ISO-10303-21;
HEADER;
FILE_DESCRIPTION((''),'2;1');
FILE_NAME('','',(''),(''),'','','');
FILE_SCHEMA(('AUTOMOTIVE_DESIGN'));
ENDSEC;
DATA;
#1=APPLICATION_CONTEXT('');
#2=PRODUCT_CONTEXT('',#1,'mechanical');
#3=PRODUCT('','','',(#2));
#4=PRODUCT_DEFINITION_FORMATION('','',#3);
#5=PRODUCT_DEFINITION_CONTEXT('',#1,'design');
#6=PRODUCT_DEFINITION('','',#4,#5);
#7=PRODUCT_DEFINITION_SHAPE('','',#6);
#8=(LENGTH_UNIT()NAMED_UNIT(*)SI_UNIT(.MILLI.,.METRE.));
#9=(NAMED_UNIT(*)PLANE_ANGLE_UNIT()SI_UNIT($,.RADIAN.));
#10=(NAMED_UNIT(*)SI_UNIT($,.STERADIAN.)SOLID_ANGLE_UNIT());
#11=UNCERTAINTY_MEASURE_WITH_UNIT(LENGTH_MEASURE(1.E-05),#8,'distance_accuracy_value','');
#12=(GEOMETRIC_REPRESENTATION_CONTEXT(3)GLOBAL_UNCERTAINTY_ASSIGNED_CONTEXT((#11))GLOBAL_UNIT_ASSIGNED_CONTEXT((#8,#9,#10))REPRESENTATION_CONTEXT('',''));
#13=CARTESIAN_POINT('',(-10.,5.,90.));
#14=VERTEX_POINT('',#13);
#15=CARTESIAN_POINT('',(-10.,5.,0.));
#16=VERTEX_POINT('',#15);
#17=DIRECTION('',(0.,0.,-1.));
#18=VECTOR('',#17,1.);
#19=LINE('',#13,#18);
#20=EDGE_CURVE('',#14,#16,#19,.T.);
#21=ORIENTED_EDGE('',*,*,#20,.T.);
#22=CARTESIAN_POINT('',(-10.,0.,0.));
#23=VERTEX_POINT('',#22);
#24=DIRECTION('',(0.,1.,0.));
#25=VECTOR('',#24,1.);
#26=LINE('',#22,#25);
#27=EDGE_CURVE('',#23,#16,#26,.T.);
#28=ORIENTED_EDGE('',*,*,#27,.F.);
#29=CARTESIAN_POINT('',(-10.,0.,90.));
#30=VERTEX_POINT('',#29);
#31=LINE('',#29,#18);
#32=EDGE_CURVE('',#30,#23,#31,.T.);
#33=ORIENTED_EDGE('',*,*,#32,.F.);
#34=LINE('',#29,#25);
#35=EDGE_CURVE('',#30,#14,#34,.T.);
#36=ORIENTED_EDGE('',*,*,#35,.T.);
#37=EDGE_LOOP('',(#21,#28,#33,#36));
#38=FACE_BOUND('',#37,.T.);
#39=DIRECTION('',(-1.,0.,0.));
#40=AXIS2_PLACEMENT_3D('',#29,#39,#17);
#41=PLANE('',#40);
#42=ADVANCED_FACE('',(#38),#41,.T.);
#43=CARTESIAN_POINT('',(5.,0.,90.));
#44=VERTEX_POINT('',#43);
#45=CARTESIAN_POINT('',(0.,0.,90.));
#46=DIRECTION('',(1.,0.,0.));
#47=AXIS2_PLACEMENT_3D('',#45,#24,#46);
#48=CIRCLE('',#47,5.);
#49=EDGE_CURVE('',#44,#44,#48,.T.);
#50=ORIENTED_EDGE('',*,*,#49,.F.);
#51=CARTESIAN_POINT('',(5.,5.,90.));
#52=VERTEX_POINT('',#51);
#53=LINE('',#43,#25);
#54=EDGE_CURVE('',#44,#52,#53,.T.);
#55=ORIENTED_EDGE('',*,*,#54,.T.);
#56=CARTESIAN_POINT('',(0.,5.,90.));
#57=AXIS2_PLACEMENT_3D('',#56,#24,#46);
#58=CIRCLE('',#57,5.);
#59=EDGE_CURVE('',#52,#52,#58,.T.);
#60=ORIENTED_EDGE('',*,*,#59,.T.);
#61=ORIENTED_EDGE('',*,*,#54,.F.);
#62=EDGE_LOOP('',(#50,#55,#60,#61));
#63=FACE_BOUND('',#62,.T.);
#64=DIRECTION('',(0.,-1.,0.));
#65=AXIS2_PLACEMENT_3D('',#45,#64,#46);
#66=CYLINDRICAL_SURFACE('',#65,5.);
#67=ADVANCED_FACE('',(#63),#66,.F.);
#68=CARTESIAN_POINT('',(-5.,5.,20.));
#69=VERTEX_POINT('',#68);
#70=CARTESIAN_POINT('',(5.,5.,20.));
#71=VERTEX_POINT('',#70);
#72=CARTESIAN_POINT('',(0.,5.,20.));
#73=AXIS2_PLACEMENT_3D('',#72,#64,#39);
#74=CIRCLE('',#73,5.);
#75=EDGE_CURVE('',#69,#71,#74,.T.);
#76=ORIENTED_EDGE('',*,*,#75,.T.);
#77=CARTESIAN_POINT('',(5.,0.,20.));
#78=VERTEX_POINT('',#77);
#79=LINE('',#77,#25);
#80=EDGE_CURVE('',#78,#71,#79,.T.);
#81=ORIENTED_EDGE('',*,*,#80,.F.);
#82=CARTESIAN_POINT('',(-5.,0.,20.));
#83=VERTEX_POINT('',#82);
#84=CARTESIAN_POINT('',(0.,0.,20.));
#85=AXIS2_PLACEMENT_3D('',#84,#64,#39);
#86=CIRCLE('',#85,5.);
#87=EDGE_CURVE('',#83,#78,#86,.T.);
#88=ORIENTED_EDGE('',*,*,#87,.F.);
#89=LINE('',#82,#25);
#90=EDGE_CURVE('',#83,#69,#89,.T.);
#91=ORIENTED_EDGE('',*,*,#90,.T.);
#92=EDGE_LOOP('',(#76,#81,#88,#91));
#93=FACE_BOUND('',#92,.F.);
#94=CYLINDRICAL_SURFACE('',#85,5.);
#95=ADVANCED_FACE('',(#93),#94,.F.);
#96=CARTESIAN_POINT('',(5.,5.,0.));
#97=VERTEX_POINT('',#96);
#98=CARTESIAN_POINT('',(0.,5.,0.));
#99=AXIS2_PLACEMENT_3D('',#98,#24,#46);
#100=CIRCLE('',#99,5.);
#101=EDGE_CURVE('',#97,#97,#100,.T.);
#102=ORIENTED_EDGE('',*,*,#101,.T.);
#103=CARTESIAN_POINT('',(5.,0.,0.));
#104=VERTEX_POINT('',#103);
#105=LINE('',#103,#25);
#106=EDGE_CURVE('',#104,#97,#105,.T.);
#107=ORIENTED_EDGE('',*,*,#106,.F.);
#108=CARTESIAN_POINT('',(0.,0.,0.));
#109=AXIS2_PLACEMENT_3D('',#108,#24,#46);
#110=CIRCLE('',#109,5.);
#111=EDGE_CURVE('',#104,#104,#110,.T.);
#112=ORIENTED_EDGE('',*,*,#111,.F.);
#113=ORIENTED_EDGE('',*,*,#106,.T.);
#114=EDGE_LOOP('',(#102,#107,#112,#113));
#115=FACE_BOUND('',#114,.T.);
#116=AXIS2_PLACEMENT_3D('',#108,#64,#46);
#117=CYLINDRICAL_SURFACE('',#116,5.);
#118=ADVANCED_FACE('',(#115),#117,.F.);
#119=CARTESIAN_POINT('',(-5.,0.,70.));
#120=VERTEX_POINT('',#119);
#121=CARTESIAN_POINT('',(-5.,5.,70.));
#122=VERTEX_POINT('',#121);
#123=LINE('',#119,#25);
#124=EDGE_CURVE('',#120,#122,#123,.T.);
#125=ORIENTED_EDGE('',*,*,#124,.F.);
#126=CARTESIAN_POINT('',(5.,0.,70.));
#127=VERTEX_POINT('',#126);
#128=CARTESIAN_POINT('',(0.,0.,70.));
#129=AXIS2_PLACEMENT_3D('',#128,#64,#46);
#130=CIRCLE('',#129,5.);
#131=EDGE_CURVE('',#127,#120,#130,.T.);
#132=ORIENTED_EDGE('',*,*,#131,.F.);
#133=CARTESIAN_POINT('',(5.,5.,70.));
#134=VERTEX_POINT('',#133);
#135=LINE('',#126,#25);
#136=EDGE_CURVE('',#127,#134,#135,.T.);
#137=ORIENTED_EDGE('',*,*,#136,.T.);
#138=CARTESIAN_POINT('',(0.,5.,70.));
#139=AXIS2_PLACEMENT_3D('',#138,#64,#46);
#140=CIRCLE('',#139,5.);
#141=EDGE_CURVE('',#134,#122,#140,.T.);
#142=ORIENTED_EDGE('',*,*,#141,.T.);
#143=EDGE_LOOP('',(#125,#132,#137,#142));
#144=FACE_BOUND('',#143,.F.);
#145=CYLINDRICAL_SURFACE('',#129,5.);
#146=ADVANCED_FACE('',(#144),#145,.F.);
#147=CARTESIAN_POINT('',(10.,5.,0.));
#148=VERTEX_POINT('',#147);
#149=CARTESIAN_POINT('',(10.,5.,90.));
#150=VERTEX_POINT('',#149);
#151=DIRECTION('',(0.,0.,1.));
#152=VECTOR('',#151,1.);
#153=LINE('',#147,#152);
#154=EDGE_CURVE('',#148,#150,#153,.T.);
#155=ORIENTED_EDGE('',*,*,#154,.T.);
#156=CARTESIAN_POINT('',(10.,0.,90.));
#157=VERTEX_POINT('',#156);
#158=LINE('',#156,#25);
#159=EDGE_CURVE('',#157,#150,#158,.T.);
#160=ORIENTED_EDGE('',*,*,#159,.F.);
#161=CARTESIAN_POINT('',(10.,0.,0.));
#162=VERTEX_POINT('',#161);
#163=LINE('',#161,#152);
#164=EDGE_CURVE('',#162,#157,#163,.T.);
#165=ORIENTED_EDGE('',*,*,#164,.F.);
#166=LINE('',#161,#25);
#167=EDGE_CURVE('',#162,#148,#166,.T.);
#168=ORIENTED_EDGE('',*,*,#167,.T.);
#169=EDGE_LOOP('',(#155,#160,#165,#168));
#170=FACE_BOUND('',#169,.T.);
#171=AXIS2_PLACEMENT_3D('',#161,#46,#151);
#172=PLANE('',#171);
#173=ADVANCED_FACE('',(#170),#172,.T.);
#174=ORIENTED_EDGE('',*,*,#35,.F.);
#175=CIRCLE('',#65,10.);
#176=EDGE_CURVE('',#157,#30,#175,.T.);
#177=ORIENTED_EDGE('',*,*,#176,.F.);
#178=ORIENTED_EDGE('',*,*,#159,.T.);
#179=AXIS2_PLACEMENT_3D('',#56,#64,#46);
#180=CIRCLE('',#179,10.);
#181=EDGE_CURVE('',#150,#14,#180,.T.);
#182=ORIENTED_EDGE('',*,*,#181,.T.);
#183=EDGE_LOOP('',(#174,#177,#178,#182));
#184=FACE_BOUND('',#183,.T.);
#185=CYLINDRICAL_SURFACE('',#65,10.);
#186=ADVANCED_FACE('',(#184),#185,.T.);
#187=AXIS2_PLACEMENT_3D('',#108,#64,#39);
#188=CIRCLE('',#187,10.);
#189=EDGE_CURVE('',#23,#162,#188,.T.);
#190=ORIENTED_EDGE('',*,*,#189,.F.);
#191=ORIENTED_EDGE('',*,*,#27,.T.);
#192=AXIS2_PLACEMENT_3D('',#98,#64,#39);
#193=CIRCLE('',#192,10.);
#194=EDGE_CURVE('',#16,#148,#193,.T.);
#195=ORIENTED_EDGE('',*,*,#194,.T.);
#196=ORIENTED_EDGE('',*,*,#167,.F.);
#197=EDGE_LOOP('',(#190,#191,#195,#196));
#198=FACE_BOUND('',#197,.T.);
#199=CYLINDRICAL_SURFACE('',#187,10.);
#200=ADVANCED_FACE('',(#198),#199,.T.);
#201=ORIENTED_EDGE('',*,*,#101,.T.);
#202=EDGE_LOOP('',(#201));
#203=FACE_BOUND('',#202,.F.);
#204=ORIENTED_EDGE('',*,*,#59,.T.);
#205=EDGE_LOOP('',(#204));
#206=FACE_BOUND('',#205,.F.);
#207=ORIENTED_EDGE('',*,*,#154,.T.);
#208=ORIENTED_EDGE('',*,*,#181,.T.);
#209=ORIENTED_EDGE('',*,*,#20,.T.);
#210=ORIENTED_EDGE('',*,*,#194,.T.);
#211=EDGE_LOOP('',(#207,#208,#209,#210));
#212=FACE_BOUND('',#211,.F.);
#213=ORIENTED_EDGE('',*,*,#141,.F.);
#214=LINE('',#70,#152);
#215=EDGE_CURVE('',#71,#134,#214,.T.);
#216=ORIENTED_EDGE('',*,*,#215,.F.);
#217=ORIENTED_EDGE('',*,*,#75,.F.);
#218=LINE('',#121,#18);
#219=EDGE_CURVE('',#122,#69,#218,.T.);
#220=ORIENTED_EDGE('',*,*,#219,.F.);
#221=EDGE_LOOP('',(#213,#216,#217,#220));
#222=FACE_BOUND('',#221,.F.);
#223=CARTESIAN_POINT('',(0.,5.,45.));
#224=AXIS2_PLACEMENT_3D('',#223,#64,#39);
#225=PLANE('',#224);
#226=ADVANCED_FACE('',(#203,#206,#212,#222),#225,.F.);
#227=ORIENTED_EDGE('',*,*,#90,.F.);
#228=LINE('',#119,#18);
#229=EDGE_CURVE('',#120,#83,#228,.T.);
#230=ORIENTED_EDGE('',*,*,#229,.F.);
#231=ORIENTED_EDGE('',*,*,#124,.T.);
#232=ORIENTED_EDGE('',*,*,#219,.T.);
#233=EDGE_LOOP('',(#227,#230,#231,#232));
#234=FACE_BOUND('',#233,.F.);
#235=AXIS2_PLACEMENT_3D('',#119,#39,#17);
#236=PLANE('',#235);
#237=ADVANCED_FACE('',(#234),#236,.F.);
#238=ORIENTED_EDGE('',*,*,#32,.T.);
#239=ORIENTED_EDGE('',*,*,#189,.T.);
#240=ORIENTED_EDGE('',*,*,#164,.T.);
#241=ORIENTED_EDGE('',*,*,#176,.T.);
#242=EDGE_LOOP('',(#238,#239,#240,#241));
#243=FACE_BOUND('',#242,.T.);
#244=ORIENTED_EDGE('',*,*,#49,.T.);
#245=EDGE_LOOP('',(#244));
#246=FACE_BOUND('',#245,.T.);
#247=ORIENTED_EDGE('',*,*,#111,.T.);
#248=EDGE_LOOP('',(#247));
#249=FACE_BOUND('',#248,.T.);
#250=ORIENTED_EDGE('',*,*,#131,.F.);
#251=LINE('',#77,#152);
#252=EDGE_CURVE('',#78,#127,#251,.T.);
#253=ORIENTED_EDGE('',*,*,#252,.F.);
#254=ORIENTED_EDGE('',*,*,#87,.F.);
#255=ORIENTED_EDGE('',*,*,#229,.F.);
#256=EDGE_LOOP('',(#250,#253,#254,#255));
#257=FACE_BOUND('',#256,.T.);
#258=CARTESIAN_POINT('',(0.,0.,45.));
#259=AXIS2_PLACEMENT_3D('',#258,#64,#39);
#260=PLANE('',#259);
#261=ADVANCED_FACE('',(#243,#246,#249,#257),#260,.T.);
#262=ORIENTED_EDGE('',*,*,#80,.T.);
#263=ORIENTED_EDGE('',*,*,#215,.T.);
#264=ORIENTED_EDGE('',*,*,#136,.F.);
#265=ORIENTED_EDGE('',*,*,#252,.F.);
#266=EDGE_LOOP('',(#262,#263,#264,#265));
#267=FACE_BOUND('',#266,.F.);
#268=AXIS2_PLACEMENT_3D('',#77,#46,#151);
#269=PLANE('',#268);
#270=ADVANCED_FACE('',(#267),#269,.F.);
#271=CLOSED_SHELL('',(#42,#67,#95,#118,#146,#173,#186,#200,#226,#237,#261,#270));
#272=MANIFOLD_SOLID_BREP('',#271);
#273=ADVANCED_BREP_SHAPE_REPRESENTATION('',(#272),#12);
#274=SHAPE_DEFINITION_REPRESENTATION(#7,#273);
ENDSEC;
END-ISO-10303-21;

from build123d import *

# Parameters (mm, degrees)
SKETCH1_R           = 5
BOSS_EXTRUDE1_DEPTH = 5


with BuildPart() as part:
    # Sketch1 → Boss-Extrude1 (new body)
    with BuildSketch(Plane(origin=(0, 0, 0), x_dir=(1, 0, 0), z_dir=(0, 1, 0))):
        with BuildLine():
            Line((10, 0), (10, -90))
            ThreePointArc((10, -90), (0, -100), (-10, -90))
            Line((-10, -90), (-10, 0))
            ThreePointArc((-10, 0), (0, 10), (10, 0))
        make_face()
        Circle(SKETCH1_R, mode=Mode.SUBTRACT)
        with Locations((0, -90)):
            Circle(SKETCH1_R, mode=Mode.SUBTRACT)
        with BuildLine():
            Line((5, -20), (5, -70))
            ThreePointArc((5, -70), (0, -75), (-5, -70))
            Line((-5, -70), (-5, -20))
            ThreePointArc((-5, -20), (0, -15), (5, -20))
        make_face(mode=Mode.SUBTRACT)
    extrude(amount=BOSS_EXTRUDE1_DEPTH)


solid = part.part
